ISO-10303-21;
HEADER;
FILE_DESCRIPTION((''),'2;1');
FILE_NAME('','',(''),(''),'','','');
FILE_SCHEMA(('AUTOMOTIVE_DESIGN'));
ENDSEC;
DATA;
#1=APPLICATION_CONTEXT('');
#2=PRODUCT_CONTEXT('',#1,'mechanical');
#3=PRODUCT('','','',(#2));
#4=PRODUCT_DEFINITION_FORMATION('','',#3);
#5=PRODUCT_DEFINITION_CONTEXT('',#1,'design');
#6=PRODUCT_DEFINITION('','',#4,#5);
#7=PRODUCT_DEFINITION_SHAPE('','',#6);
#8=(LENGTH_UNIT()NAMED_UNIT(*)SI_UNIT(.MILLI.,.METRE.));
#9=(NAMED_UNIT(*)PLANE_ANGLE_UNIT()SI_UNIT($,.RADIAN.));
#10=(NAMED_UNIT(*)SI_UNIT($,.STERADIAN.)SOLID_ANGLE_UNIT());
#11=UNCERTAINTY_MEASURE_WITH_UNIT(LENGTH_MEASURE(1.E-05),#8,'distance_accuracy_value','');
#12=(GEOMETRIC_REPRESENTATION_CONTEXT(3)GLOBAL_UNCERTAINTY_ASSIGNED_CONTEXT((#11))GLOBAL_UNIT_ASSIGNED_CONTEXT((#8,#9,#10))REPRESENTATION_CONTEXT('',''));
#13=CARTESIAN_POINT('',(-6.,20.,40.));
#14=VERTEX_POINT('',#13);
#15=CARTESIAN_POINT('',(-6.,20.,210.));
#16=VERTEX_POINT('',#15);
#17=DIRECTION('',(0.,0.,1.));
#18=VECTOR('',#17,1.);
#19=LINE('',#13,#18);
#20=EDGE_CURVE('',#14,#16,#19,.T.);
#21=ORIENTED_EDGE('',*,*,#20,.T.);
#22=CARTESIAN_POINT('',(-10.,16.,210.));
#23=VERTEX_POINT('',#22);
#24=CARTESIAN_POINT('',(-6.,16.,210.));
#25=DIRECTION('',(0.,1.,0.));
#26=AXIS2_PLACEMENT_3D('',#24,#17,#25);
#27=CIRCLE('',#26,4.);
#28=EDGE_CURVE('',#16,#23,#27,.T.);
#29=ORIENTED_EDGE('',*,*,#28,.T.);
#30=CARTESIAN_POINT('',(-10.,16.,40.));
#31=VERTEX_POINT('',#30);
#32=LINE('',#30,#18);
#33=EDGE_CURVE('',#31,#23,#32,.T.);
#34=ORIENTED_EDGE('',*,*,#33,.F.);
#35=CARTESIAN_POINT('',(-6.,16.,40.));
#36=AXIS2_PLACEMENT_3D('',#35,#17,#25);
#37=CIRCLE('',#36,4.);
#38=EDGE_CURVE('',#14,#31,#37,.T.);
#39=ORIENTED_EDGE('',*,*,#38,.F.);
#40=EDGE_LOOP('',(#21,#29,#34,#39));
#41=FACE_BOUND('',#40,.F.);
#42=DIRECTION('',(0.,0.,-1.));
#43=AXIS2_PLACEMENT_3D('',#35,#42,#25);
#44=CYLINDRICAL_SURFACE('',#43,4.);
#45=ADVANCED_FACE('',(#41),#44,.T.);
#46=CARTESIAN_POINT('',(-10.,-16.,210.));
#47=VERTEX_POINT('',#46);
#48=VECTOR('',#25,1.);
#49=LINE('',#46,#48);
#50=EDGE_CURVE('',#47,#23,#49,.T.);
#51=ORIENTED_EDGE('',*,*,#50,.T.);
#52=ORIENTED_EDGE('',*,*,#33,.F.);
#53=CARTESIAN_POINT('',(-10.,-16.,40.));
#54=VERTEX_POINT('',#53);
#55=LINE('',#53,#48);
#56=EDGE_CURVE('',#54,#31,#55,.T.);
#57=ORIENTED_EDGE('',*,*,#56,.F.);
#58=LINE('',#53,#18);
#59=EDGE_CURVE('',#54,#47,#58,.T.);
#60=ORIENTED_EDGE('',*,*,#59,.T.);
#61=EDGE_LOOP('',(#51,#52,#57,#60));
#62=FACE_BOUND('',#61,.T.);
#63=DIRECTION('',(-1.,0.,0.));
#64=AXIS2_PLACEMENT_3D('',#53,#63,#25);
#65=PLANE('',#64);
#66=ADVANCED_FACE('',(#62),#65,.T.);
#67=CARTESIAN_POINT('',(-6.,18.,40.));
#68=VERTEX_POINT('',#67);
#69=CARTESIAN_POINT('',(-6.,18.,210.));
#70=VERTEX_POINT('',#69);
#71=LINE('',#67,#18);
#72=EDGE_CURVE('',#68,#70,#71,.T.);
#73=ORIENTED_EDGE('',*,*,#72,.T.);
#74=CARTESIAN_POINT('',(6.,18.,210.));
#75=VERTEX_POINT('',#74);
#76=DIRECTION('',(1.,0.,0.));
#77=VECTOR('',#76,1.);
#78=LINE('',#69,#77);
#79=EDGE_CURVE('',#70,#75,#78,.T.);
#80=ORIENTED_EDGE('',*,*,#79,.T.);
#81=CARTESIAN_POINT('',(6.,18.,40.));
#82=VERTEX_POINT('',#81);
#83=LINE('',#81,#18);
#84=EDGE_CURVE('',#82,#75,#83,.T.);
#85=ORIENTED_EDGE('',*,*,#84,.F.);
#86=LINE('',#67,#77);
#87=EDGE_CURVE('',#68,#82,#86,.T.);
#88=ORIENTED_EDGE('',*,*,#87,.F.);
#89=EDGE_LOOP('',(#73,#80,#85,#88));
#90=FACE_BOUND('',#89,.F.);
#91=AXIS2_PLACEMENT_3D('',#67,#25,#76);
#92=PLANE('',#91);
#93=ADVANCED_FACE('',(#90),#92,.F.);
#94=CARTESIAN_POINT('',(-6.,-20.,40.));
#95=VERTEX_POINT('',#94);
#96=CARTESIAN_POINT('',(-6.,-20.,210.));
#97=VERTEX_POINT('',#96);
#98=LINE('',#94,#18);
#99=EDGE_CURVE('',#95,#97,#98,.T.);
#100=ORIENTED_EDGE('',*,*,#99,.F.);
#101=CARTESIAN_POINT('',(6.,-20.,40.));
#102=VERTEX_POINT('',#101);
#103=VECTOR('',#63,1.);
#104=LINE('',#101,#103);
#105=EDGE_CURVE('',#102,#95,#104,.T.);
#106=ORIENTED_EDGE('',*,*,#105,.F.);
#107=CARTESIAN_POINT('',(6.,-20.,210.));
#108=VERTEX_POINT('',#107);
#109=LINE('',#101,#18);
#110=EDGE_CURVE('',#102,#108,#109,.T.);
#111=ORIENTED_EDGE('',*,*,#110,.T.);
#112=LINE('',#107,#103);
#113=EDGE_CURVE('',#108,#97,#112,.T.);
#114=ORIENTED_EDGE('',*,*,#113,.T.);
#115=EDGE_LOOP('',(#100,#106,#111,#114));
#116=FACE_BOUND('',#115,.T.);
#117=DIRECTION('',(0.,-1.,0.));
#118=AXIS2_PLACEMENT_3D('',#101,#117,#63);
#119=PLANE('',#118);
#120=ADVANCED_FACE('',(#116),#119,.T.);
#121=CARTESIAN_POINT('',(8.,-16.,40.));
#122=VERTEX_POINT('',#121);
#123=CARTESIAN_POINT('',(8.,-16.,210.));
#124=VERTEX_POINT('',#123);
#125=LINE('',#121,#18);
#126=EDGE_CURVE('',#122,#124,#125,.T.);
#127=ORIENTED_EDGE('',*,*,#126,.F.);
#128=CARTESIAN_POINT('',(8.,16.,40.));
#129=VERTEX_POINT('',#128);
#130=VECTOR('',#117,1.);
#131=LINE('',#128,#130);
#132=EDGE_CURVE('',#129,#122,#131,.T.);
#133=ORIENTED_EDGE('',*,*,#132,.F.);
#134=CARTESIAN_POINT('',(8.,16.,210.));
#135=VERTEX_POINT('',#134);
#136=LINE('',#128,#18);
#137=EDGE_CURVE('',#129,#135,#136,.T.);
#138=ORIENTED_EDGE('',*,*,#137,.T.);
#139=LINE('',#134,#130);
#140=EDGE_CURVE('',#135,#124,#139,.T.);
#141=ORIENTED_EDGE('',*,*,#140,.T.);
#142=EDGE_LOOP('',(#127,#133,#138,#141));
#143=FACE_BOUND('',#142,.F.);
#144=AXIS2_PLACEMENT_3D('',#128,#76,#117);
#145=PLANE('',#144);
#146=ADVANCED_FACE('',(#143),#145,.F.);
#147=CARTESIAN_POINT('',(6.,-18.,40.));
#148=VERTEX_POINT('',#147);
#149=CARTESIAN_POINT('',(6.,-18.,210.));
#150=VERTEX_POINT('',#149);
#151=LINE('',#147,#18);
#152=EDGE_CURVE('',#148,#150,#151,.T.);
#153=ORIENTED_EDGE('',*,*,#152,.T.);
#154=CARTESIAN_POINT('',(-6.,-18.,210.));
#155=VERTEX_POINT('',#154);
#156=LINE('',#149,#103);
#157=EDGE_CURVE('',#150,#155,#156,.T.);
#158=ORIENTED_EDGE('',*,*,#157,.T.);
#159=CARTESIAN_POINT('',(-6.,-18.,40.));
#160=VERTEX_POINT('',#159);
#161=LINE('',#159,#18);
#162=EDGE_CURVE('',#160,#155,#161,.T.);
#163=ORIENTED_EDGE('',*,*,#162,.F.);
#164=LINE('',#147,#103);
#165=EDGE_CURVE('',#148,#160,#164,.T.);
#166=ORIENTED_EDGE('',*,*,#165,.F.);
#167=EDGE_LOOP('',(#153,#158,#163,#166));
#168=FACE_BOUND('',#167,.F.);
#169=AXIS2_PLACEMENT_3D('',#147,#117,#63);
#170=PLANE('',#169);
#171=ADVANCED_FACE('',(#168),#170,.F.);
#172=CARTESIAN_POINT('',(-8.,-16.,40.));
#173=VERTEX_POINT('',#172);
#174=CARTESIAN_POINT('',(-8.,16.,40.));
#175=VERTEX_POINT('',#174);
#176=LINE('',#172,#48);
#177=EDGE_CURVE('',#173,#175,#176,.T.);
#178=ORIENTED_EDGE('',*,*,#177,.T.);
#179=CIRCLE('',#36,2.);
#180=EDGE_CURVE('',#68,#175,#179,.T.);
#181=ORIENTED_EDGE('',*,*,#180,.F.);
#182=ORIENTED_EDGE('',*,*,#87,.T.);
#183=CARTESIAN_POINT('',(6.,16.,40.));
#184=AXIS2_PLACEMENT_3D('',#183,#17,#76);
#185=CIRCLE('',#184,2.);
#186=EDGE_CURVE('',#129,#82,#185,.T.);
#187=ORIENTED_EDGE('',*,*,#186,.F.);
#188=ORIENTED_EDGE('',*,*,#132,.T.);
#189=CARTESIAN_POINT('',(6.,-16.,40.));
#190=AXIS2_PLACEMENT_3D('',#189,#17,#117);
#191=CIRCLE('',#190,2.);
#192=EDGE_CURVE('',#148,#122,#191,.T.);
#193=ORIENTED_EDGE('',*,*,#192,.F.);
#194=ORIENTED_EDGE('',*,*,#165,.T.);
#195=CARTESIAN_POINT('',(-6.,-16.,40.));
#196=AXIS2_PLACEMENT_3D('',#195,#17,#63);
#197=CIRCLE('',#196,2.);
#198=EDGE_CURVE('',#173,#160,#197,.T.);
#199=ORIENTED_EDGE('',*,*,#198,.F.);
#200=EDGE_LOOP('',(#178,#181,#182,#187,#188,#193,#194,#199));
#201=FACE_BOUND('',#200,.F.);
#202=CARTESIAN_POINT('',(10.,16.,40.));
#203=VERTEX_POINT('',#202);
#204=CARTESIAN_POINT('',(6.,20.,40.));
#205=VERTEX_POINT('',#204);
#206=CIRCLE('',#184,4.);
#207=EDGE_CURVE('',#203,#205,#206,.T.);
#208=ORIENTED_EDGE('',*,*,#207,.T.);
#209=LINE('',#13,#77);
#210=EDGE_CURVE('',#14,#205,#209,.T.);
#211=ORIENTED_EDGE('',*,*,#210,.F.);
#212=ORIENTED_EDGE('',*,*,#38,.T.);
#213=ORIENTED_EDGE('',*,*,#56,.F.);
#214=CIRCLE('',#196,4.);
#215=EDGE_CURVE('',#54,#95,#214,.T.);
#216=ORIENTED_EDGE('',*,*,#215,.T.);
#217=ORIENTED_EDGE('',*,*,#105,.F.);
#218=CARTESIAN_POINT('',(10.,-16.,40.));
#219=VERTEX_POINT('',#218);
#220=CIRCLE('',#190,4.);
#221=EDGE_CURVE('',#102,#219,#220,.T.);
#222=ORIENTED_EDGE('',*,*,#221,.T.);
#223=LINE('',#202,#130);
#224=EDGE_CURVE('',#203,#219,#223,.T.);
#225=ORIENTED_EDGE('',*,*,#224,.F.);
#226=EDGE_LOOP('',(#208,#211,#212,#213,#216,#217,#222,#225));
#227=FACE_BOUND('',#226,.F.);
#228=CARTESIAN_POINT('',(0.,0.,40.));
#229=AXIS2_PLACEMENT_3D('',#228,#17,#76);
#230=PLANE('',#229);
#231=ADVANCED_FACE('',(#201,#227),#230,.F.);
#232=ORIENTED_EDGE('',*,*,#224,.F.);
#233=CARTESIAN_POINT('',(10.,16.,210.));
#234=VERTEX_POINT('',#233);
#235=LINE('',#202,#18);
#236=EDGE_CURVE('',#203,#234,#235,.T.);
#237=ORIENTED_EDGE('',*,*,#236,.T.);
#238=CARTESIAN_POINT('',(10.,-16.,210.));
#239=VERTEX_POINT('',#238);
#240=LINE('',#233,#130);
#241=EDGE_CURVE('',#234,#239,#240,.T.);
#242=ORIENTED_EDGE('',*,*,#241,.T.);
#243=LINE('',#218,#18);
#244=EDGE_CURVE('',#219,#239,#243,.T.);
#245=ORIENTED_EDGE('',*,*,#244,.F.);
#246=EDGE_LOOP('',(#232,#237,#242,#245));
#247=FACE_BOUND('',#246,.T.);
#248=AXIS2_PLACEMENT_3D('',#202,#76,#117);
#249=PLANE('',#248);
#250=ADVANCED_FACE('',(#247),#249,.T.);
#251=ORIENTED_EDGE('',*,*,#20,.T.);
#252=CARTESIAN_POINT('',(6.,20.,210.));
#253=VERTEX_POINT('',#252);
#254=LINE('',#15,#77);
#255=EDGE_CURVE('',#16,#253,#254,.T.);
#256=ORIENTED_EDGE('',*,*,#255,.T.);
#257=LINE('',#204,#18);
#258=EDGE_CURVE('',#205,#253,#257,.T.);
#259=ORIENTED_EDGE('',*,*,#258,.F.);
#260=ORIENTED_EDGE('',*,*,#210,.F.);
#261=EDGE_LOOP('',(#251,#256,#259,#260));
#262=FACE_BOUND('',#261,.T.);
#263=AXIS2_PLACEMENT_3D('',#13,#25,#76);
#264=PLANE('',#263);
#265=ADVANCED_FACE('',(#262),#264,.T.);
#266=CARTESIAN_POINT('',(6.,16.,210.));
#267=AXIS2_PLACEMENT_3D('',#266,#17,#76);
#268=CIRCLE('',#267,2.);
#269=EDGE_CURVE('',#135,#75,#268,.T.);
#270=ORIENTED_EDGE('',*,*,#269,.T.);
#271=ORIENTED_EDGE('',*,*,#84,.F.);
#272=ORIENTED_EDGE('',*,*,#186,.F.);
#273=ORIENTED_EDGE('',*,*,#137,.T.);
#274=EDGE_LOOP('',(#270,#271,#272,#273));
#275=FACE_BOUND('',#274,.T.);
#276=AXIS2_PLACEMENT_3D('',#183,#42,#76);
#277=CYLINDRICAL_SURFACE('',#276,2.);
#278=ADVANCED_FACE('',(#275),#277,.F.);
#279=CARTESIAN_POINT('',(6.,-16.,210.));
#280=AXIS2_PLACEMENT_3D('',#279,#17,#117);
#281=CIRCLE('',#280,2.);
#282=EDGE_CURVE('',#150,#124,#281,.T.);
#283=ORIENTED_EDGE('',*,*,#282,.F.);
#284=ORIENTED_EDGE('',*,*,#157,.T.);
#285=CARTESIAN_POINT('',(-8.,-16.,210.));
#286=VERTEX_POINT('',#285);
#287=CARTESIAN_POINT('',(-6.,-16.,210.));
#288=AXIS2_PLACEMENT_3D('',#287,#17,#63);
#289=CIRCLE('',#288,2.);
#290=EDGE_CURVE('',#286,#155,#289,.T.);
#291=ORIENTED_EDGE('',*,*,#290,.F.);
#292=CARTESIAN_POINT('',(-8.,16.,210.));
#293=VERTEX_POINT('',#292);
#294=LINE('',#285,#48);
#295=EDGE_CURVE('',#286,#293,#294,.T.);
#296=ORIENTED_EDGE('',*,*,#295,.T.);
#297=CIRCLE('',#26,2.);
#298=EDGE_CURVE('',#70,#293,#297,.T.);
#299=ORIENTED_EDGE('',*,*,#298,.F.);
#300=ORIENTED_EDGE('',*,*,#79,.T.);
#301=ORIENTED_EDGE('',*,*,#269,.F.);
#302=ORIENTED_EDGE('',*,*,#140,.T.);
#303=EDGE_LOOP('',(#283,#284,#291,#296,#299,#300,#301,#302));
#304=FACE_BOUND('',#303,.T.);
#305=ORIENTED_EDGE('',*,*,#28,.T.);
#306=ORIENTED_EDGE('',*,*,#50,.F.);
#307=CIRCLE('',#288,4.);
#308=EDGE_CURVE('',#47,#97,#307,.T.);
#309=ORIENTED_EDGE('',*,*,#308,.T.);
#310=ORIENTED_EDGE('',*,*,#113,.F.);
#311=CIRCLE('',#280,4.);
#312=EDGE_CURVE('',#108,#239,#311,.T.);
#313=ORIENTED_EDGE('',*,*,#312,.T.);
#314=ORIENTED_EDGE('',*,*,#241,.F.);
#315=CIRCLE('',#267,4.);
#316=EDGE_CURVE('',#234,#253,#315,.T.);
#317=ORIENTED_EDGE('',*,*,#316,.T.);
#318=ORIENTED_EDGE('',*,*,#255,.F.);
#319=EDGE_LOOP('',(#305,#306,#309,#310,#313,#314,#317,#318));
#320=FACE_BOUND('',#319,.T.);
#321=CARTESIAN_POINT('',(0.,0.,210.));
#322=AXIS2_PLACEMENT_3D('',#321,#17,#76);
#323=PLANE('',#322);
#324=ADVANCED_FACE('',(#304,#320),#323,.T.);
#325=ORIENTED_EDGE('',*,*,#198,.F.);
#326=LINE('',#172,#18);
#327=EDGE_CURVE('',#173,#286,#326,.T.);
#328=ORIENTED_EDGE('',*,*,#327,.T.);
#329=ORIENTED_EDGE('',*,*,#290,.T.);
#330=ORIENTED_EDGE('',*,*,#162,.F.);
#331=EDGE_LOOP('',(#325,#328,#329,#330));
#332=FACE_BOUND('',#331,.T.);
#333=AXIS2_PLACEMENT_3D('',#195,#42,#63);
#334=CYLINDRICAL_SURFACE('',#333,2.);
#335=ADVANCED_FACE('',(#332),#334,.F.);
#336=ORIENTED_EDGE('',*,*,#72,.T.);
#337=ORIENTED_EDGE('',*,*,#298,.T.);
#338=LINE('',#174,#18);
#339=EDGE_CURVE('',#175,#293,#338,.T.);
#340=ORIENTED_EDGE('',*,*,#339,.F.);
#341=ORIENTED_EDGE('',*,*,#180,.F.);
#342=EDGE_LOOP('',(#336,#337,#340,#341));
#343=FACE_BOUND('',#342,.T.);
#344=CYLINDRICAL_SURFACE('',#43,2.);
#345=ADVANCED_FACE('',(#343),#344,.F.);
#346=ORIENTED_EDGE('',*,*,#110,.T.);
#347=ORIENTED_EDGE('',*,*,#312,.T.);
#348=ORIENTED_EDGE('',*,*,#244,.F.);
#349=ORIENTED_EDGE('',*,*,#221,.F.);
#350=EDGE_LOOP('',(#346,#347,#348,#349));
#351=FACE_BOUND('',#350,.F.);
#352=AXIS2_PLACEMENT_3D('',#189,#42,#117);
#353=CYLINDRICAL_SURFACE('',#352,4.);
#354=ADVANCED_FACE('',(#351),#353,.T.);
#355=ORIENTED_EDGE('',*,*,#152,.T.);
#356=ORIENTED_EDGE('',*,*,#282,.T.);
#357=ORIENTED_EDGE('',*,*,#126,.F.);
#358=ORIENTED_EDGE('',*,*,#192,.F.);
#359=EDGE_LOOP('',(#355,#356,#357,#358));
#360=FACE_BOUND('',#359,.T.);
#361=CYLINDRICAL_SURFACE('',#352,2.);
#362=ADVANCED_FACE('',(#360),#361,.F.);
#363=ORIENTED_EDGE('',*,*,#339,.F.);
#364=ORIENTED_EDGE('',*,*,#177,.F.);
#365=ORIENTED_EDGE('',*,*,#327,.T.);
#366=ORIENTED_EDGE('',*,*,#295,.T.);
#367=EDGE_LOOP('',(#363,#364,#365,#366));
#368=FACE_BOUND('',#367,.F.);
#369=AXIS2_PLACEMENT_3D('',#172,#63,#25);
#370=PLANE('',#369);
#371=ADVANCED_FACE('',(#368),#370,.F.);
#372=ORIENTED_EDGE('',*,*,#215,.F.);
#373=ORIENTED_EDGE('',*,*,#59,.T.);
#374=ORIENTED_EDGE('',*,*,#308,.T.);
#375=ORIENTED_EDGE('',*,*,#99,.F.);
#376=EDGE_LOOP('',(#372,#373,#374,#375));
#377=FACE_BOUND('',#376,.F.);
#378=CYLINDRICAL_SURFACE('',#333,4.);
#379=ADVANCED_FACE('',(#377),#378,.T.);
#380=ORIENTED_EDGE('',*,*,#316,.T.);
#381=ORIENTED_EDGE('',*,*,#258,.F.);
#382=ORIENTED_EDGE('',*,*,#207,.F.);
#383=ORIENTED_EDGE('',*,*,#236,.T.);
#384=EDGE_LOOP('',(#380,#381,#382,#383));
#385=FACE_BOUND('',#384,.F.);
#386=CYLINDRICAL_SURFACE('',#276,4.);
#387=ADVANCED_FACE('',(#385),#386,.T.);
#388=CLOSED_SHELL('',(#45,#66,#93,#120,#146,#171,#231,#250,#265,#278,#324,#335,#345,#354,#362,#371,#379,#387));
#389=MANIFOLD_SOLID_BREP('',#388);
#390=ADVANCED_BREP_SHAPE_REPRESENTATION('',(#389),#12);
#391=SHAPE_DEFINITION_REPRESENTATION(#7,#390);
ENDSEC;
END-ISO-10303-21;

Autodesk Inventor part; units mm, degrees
ref_plane "Start Plane" through (0, 0, 40) normal (0, 0, 1) x (1, 0, 0)
ref_plane "End Plane" through (0, 0, 210) normal (0, 0, 1) x (1, 0, 0)
sketch "Sketch" plane through (0, 0, 0) normal (0, 0, 1) x (1, 0, 0)
  line L0 (-10, -16) -> (-10, 16)
  line L1 (-6, 20) -> (6, 20)
  line L2 (10, 16) -> (10, -16)
  line L3 (6, -20) -> (-6, -20)
  arc A0 (-10, -16) -> (-6, -20) centre (-6, -16) ccw
  arc A1 (10, 16) -> (6, 20) centre (6, 16) ccw
  arc A2 (-6, 20) -> (-10, 16) centre (-6, 16) ccw
  arc A3 (6, -20) -> (10, -16) centre (6, -16) ccw
  arc A4 (-6, 18) -> (-8, 16) centre (-6, 16) ccw
  line L4 (-6, 18) -> (6, 18)
  arc A5 (8, 16) -> (6, 18) centre (6, 16) ccw
  line L5 (8, 16) -> (8, -16)
  arc A6 (6, -18) -> (8, -16) centre (6, -16) ccw
  line L6 (6, -18) -> (-6, -18)
  arc A7 (-8, -16) -> (-6, -18) centre (-6, -16) ccw
  line L7 (-8, -16) -> (-8, 16)
  line L8 (0, 29.1598) -> (0, -29.1598) construction
  line L9 (-15.1598, 0) -> (15.1598, 0) construction
  dimension "d7" = 4
  dimension "d9" = 20
  dimension "d11" = 40
  dimension "d12" = 2
  dimension "d15" = 10
  dimension "d16" = 20
extrude "Body" add sketch "Sketch" along normal up to surface (170 mm away) from surface at 40
sketch "Sketch3" plane through (0, 0, 0) normal (0, 0, 1) x (1, 0, 0)
  line L0 (0, 0) -> (10, 0)
ref_plane "Work Plane3" through (0, 0, 0) normal (0, -1, 0) x (1, 0, 0)
ref_plane "Work Plane4" through (-6, 20, 40) normal (0, 0, -1) x (-1, 0, 0)
split "Split1" plane through (-6, 20, 40) removes the side toward (0, 0, -1)
ref_plane "Work Plane5" through (-6, -580, 210) normal (0, 0, 1) x (1, 0, 0)
split "Split2" plane through (-6, -580, 210) removes the side toward (0, 0, 1)
sketch "Sketch4" plane through (0, 0, 0) normal (0, -1, 0) x (1, 0, 0)
  line L0 (-2, 40) -> (12, 40) projected
  line L1 (-2, 210) -> (12, 210) projected
  dimension "d18" = 170
equation "\"d7\" = G_IR"
equation "\"d9\" = G_W"
equation "\"d11\" = G_H"
equation "\"d12\" = G_T"
equation "\"d15\" = 0.5 * d9"
equation "\"d16\" = 0.5 * d11"
equation "\"d3\" = G_L"
equation "\"G_W\" = 20"
equation "\"G_H\" = 40"
equation "\"G_T\" = 2"
equation "\"G_IR\" = 4"
equation "\"G_L\" = d18"
properties part number "ISO 10799-2 - 40x20x2 - 170" material "Steel, Mild"
